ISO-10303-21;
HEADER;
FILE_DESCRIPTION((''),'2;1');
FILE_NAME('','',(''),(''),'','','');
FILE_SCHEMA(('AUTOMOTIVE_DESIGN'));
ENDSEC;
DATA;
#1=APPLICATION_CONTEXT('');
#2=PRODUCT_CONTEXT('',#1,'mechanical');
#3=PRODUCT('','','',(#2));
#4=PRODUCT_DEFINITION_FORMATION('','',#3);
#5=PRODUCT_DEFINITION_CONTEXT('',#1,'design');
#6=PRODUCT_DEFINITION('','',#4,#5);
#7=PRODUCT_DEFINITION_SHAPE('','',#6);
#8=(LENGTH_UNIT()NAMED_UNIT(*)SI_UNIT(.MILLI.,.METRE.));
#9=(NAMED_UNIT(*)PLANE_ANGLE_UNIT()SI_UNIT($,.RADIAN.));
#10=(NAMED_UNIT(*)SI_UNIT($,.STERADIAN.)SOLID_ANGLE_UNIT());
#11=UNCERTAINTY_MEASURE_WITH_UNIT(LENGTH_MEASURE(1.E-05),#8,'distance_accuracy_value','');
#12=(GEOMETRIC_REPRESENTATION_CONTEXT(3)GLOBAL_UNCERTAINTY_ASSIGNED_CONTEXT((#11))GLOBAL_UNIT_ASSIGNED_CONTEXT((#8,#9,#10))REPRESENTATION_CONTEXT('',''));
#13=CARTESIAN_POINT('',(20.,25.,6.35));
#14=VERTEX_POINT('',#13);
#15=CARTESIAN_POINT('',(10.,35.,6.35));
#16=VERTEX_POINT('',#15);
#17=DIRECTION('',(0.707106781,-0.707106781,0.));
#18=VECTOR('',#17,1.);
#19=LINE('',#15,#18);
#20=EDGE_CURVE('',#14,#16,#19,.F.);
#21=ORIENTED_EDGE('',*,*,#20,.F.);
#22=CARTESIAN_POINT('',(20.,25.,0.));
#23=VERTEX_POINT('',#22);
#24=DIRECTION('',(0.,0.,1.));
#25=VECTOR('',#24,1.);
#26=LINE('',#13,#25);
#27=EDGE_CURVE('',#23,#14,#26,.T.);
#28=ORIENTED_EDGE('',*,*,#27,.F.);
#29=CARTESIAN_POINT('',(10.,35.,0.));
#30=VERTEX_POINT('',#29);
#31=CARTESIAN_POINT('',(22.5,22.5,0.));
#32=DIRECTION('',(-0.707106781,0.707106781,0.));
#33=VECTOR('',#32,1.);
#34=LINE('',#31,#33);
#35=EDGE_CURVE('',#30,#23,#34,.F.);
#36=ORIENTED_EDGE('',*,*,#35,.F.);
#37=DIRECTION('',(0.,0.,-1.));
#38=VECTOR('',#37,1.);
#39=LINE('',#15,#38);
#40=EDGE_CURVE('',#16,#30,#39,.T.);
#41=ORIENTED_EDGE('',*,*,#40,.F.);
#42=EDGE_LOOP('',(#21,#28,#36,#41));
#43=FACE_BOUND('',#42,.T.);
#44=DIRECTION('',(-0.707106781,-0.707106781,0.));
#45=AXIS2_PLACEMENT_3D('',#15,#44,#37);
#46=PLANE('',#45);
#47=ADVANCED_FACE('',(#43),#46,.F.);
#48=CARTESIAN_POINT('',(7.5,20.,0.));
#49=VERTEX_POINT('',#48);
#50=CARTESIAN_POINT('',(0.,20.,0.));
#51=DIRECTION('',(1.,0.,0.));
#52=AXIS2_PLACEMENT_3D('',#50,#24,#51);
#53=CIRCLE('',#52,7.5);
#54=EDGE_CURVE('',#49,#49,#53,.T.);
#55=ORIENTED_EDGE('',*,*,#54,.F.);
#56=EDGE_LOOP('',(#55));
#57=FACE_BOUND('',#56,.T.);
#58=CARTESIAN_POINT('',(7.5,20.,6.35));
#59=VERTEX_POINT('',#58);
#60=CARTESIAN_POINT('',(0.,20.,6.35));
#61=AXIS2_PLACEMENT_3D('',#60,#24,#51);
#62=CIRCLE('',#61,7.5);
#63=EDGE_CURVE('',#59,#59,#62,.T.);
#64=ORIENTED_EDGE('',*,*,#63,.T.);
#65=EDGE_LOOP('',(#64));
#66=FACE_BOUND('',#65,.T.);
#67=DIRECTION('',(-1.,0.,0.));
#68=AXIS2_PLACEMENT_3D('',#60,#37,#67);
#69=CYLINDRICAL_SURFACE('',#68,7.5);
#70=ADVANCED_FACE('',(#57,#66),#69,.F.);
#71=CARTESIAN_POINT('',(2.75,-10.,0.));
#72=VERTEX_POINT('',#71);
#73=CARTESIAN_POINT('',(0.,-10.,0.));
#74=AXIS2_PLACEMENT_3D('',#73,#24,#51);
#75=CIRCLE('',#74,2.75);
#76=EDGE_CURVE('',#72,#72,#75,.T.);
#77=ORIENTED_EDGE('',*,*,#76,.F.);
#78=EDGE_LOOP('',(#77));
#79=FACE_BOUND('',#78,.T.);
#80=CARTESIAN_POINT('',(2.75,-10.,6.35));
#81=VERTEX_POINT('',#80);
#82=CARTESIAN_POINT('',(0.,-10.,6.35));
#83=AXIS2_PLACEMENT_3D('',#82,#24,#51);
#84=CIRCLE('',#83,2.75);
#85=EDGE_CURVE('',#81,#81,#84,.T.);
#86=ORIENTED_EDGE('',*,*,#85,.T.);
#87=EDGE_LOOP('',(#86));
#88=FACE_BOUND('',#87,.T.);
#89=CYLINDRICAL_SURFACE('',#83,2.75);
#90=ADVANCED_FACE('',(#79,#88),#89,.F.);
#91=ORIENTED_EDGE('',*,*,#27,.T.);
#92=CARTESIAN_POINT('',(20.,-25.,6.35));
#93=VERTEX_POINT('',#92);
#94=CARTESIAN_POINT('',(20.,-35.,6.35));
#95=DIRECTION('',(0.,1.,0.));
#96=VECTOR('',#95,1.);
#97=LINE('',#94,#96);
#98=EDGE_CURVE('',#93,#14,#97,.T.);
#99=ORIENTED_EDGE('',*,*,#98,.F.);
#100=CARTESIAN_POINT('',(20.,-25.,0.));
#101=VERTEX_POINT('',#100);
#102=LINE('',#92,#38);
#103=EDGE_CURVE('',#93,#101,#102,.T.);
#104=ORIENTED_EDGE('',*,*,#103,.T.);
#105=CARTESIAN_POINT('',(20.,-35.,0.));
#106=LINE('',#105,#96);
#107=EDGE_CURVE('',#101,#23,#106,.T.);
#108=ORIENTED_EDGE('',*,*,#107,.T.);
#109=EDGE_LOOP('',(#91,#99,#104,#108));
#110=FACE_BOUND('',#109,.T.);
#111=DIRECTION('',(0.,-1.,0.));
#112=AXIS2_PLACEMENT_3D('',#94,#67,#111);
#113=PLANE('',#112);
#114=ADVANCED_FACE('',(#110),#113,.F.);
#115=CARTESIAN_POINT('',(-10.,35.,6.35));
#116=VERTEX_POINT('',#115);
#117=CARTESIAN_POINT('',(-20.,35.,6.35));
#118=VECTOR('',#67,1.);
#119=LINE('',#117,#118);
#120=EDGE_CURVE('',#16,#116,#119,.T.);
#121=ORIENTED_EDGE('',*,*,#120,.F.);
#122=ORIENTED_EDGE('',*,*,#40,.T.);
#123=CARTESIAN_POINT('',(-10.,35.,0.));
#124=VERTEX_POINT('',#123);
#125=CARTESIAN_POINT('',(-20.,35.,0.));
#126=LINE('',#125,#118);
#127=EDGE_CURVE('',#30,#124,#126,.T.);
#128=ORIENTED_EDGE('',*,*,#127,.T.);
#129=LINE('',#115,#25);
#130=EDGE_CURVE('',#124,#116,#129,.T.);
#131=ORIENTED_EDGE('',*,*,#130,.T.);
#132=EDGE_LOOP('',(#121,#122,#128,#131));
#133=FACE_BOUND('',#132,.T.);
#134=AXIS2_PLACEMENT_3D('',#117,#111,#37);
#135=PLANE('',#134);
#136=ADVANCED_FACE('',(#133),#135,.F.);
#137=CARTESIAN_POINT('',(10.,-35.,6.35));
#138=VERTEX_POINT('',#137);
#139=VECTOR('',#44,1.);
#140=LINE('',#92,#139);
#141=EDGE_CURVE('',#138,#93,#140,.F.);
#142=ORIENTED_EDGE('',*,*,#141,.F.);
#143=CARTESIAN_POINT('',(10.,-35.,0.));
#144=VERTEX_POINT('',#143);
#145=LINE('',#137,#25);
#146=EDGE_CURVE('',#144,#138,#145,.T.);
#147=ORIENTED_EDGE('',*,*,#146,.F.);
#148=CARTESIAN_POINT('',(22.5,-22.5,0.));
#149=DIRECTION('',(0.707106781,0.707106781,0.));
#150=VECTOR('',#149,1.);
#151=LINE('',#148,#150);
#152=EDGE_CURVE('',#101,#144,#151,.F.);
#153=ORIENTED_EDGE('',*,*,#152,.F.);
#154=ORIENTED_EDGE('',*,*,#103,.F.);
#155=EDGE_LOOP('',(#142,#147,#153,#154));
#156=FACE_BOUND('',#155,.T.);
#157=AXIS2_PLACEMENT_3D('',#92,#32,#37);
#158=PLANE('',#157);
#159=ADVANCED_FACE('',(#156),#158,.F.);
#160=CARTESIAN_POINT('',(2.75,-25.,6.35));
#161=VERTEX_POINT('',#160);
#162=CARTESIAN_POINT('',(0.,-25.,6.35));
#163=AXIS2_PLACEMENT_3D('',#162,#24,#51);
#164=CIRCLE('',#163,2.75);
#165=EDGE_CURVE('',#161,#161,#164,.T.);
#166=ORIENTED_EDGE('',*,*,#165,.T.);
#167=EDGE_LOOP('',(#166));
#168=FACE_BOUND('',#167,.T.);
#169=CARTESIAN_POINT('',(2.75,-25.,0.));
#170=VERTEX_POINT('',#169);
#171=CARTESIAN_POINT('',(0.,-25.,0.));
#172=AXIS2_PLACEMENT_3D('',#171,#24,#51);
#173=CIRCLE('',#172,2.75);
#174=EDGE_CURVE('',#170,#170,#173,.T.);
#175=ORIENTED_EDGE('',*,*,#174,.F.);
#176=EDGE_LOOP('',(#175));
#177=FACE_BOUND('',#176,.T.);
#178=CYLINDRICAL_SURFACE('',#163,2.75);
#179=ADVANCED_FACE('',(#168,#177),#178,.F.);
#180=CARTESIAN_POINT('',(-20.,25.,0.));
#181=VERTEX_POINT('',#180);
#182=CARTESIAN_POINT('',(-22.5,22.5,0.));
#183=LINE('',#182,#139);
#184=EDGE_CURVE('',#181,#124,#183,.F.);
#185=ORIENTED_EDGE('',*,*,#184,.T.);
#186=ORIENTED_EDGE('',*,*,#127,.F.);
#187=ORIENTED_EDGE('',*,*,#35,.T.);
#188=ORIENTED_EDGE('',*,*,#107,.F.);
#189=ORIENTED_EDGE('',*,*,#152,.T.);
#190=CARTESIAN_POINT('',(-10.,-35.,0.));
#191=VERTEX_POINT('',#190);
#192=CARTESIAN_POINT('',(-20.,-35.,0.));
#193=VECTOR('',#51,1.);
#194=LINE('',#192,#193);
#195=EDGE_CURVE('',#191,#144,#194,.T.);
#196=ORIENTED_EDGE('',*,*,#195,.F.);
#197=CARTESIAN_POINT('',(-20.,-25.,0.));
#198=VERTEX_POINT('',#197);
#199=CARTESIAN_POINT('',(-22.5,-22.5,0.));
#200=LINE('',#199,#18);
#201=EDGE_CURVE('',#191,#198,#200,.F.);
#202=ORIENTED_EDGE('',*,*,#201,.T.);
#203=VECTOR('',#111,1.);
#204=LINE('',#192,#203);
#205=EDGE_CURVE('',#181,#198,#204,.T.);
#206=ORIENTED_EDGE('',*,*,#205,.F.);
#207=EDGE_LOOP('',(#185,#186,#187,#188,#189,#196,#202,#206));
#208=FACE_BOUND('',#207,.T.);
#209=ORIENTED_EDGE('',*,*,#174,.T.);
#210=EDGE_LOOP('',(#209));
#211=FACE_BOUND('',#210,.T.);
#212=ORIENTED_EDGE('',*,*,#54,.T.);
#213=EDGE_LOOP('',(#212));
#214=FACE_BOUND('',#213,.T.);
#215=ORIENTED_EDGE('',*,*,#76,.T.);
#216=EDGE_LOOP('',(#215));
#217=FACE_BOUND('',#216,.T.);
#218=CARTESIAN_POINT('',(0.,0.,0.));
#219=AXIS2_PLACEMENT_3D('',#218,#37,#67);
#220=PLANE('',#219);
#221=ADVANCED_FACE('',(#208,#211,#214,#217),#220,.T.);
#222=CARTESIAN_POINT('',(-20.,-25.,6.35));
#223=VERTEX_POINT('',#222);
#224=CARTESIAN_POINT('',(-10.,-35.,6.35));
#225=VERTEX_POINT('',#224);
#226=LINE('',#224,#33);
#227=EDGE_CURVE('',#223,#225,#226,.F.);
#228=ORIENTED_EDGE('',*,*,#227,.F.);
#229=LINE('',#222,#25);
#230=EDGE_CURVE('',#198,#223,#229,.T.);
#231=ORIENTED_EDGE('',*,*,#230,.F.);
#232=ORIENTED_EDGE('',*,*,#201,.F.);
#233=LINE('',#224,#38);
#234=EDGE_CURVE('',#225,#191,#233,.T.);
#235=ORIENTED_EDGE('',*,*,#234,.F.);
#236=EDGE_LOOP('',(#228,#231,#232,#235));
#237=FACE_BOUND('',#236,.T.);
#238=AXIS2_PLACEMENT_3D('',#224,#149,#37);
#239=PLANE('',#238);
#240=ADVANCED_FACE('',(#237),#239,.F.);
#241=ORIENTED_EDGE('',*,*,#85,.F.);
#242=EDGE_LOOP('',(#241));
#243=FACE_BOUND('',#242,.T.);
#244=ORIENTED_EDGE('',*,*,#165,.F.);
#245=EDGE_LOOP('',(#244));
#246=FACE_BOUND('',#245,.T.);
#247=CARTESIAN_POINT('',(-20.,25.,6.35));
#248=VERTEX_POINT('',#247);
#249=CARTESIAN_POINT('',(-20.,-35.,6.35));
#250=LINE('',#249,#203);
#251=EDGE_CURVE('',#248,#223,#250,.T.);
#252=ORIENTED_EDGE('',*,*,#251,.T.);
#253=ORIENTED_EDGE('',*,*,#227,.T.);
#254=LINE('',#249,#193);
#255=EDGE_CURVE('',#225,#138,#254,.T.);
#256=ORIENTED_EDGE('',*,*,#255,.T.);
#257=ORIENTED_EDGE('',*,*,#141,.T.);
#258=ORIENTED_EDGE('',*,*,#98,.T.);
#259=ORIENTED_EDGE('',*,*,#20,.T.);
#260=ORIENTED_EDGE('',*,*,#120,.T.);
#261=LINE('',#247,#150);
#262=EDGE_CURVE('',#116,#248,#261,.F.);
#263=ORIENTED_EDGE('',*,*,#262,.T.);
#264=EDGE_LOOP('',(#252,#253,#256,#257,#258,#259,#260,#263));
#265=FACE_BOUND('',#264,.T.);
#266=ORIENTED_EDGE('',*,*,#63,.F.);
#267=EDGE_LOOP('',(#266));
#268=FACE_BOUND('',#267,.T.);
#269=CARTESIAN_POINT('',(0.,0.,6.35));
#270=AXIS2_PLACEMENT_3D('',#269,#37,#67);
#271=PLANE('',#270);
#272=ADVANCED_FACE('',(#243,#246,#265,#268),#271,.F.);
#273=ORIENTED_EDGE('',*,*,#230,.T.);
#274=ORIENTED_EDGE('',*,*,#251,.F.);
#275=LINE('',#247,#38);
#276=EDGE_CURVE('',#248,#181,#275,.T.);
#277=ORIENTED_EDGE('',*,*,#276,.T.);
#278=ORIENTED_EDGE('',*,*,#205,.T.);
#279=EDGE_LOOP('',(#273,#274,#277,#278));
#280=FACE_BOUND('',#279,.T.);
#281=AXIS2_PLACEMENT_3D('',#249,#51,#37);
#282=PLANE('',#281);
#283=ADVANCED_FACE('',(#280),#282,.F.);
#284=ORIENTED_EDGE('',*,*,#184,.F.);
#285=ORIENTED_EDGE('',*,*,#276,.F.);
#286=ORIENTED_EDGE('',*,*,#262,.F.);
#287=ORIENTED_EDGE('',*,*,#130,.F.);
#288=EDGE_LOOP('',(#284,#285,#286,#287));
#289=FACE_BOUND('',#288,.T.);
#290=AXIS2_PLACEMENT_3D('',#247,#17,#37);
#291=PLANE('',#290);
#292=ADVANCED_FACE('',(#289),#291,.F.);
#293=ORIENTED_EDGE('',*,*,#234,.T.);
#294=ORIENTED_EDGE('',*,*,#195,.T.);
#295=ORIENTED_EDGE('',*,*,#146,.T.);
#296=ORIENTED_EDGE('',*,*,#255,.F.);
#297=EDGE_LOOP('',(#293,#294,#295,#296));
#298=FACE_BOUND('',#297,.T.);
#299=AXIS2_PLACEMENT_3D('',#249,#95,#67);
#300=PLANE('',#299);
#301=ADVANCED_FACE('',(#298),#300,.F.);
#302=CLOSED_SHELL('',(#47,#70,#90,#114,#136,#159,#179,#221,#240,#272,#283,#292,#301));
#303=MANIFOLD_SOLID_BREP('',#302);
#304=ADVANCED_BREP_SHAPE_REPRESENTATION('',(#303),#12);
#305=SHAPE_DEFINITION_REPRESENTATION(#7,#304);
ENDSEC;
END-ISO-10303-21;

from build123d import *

# Parameters (mm, degrees)
SKETCH1_W            = 40
SKETCH1_H            = 70
SKETCH1_R            = 7.5
BOSS_EXTRUDE1_DEPTH  = 6.35
M5_CLEARANCE_HOLE1_D = 5.5
CHAMFER1_SIZE        = 10


with BuildPart() as part:
    # Sketch1 → Boss-Extrude1 (new body)
    with BuildSketch(Plane.XY):
        Rectangle(SKETCH1_W, SKETCH1_H)
        with Locations((0, 20)):
            Circle(SKETCH1_R, mode=Mode.SUBTRACT)
    extrude(amount=BOSS_EXTRUDE1_DEPTH)

    # M5 Clearance Hole1 (through all)
    with Locations(Plane.XY.offset(6.35)):
        with Locations((0, -10), (0, -25)):
            Hole(M5_CLEARANCE_HOLE1_D / 2)

    # Chamfer1
    chamfer1_edges = [part.edges().sort_by_distance(p)[0] for p in [
        (-20, 35, 3.175),
        (20, 35, 3.175),
        (20, -35, 3.175),
        (-20, -35, 3.175),
    ]]
    chamfer(chamfer1_edges, length=CHAMFER1_SIZE)


solid = part.part
